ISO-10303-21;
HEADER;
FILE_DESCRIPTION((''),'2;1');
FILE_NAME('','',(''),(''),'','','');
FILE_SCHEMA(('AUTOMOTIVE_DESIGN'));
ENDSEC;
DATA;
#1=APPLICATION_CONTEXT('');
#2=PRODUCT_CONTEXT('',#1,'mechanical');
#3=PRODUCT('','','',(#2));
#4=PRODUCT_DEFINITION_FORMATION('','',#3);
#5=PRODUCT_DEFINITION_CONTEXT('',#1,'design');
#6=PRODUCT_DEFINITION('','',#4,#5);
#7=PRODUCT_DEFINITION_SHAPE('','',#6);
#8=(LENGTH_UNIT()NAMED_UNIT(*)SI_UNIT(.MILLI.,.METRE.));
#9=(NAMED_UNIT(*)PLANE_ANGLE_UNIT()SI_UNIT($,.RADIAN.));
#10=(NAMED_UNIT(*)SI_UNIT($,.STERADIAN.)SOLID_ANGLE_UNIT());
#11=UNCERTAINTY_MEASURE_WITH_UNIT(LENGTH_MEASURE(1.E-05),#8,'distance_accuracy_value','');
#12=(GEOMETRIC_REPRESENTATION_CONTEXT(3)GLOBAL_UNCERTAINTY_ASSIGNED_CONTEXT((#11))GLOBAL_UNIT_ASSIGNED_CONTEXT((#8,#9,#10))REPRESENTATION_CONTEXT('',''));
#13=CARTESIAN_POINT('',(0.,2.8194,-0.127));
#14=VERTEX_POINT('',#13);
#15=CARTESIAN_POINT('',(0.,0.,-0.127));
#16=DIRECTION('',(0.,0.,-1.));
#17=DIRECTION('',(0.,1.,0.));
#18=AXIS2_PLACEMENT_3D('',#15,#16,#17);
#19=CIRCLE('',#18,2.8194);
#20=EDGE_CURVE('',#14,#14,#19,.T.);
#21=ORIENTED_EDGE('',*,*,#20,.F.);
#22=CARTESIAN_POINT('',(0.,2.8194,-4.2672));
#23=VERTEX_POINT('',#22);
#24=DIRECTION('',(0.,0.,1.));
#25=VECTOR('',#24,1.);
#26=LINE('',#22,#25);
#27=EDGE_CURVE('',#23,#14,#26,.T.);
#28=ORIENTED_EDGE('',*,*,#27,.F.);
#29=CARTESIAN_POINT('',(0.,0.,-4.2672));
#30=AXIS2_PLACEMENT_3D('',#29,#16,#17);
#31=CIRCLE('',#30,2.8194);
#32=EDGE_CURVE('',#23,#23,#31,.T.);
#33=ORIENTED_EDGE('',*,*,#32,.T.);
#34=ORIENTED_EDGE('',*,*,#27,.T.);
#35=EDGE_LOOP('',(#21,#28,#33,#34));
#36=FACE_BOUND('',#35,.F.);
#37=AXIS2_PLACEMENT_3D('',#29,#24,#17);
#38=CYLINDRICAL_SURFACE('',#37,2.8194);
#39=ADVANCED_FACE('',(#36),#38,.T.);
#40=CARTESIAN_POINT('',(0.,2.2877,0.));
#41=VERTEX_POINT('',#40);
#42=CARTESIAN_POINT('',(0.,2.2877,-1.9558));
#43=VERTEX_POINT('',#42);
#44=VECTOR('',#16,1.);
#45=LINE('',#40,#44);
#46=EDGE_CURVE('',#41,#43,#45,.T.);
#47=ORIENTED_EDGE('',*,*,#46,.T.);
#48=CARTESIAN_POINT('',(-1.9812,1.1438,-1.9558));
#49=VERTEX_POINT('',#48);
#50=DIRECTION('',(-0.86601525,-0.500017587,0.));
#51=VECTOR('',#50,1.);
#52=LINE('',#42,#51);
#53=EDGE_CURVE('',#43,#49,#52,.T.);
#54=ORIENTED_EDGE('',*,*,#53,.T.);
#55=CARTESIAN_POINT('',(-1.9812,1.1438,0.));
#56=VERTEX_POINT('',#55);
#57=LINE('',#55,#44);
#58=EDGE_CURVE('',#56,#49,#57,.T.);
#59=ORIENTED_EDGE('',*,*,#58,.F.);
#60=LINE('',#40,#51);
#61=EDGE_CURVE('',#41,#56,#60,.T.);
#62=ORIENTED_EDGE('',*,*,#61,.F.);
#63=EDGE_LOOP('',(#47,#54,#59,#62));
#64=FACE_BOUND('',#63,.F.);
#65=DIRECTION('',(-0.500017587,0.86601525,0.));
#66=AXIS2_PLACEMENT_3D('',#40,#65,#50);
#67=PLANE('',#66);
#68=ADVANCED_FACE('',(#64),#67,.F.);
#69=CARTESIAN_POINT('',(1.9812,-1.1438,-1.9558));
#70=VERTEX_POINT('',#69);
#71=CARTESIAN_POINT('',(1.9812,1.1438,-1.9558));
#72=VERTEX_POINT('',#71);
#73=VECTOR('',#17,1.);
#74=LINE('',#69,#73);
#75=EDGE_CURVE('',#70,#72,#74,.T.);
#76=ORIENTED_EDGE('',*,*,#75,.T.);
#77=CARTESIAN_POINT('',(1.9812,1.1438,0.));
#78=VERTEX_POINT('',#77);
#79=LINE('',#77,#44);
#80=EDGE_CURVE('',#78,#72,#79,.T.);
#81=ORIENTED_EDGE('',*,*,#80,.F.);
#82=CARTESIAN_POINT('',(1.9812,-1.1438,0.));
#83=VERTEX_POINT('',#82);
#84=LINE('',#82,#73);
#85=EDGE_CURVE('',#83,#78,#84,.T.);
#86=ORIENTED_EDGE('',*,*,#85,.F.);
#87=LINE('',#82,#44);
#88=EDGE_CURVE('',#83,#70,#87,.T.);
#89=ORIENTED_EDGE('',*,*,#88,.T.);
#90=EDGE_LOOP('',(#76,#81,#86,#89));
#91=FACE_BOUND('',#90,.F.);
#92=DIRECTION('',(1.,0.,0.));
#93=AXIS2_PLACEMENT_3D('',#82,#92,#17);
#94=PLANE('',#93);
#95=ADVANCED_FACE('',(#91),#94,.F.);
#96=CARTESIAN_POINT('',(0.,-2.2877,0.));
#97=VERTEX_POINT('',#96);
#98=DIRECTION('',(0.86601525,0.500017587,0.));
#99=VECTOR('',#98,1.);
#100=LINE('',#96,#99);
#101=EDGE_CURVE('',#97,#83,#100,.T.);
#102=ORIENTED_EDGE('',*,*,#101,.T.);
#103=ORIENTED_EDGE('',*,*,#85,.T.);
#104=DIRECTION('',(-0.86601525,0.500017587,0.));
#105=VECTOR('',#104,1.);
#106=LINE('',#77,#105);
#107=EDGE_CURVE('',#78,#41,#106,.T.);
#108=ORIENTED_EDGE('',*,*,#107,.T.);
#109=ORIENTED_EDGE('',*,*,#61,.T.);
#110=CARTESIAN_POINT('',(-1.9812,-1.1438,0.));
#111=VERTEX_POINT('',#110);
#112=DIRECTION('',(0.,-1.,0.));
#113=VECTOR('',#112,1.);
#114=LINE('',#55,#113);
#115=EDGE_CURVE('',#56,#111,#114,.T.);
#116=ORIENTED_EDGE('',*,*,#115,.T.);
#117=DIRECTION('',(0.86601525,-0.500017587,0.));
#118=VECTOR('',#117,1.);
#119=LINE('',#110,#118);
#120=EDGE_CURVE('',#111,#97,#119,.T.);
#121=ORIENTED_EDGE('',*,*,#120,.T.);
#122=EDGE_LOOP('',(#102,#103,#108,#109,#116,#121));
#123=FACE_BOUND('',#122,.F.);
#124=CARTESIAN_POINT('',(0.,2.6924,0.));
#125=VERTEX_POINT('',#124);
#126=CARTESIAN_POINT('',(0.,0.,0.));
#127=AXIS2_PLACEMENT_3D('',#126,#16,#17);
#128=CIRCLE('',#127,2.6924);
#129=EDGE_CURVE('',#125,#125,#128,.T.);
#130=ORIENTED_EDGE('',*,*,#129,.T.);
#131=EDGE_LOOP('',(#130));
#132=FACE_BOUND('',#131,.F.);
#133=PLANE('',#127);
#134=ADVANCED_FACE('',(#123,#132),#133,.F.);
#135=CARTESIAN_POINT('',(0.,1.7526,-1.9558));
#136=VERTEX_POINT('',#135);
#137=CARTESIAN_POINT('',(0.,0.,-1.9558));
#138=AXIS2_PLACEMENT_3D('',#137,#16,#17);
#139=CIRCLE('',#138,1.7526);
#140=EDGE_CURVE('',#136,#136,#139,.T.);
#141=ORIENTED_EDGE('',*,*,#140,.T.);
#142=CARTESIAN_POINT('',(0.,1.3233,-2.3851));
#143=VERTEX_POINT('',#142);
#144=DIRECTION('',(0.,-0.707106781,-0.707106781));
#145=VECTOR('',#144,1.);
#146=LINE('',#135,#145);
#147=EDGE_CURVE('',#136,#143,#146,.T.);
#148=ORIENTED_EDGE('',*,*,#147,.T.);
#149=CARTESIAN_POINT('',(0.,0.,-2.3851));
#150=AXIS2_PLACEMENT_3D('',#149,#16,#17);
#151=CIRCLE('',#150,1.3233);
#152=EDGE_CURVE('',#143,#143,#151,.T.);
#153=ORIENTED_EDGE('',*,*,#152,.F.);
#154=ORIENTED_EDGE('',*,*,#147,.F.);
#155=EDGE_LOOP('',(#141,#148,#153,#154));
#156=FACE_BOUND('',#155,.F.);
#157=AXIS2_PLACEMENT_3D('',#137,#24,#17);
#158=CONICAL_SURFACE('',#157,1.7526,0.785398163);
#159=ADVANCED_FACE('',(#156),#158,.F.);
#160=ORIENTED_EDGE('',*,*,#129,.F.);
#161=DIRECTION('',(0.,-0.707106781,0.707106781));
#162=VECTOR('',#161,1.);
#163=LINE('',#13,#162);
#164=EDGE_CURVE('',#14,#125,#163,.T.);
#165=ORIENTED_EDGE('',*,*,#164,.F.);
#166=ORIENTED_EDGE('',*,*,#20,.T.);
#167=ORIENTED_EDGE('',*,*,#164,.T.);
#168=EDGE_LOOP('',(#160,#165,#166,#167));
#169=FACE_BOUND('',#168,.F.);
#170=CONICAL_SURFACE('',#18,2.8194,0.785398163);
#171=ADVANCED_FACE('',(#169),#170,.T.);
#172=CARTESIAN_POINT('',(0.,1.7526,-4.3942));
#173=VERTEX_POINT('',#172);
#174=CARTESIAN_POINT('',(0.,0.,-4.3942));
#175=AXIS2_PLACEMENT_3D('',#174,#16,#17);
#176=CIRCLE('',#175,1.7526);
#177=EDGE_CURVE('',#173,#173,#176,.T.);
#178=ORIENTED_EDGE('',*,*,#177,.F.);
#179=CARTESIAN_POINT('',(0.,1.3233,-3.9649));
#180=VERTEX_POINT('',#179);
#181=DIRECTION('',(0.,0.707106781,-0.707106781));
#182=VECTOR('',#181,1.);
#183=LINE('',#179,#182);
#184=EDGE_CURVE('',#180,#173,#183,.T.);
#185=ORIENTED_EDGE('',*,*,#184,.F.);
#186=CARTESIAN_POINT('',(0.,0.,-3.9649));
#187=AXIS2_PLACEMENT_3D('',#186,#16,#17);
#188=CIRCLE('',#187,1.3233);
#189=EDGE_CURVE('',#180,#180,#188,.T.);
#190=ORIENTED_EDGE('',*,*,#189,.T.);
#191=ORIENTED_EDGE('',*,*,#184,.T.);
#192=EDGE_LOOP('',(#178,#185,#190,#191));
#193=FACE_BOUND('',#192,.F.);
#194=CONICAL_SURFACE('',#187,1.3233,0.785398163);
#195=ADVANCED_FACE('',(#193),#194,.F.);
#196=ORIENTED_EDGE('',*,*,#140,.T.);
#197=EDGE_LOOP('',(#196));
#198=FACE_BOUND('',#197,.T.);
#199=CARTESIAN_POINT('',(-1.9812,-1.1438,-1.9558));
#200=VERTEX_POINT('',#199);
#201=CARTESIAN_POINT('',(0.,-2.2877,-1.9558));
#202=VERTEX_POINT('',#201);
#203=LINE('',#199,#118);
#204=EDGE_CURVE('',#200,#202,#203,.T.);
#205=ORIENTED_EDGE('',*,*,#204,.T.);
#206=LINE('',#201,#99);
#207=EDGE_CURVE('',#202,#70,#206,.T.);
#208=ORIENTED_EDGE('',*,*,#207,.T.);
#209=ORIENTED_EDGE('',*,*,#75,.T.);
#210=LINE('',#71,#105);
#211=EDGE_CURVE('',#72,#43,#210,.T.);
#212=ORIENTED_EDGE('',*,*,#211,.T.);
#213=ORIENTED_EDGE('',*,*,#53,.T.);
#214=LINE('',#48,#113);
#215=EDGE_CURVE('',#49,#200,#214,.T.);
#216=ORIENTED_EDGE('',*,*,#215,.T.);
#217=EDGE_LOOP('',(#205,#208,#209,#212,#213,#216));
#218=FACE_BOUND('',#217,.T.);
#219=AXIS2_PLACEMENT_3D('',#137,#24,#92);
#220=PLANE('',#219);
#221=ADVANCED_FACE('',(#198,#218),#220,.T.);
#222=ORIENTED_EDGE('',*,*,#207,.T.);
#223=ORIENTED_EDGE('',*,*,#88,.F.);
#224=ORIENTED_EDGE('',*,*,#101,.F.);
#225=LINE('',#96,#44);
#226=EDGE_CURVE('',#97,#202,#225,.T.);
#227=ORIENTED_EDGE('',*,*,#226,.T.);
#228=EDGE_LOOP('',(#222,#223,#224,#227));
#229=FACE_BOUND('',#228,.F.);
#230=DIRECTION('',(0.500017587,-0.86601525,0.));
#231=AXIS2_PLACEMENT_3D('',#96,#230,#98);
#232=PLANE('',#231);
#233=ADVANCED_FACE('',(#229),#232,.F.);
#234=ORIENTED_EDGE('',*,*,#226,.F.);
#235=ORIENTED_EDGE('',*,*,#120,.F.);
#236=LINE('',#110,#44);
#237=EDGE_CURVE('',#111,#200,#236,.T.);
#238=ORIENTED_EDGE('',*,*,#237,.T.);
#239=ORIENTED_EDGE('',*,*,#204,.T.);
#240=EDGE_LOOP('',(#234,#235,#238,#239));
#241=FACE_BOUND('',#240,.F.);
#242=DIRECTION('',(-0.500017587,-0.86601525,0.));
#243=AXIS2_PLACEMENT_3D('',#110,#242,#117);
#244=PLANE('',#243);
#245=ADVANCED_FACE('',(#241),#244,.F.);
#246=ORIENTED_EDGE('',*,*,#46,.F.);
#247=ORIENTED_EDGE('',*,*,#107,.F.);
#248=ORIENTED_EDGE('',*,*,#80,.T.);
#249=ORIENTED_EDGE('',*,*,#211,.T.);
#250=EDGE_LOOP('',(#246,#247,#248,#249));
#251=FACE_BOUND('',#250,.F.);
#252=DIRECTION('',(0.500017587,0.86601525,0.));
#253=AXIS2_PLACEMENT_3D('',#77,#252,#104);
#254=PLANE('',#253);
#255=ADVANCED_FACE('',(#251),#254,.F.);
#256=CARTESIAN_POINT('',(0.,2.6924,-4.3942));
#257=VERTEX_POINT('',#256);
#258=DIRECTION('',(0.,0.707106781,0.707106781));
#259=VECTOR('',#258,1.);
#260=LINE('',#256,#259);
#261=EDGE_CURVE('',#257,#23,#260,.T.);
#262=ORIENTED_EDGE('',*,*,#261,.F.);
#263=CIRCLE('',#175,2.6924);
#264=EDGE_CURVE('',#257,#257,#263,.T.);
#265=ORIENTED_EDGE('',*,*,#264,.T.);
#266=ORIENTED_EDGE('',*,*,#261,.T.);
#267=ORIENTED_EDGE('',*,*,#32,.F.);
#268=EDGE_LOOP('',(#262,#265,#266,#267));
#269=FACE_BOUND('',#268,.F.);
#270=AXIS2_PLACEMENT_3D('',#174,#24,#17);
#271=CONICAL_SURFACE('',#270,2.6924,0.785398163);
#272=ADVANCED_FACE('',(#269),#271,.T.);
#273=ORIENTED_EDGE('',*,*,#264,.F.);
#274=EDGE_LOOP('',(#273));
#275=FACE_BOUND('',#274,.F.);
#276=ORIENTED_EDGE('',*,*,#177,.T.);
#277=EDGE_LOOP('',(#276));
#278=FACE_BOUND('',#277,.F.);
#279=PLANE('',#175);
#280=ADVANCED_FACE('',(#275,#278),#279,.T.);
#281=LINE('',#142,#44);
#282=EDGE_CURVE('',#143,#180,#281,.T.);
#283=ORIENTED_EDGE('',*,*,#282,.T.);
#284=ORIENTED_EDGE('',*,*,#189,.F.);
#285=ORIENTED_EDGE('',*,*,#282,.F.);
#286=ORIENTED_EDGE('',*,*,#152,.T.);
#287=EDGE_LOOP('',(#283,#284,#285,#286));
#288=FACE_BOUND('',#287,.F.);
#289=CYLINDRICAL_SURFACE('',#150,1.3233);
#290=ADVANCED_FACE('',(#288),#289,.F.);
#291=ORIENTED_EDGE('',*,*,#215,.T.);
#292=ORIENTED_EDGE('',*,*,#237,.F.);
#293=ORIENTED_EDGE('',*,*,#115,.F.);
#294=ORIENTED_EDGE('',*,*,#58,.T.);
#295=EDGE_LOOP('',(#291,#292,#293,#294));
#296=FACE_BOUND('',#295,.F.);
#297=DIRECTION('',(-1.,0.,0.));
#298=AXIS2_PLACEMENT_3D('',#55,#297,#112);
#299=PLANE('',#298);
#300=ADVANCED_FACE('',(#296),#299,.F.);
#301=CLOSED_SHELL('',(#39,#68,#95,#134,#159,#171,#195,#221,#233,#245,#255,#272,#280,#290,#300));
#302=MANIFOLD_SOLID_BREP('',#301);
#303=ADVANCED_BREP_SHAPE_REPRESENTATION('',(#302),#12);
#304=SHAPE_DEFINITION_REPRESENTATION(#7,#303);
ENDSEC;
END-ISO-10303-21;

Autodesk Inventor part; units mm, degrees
sketch "Sketch_1" plane through (0, 0, 0) normal (1, 0, 0) x (0, 1, 0)
  line L0 (0, -4.3942) -> (0, 0)
  line L1 (1.7526, 0) -> (1.7526, -1.9558)
  line L2 (1.7526, -1.9558) -> (1.3233, -2.3851)
  line L3 (1.3233, -2.3851) -> (1.3233, -3.9649)
  line L4 (1.3233, -3.9649) -> (1.7526, -4.3942)
  line L5 (1.7526, -4.3942) -> (2.6924, -4.3942)
  line L6 (2.6924, -4.3942) -> (2.8194, -4.2672)
  line L7 (2.8194, -4.2672) -> (2.8194, -0.127)
  line L8 (2.8194, -0.127) -> (2.6924, 0)
  line L9 (2.6924, 0) -> (1.7526, 0)
revolve "Revolution1" add sketch "Sketch_1" angle 360 about axis through (0, 0, -4.3942) along (0, 0, -1)
thread "Thread1" size "6-32 UNC" class "2B" standard "ANSI Unified Screw Threads" full length
sketch "Sketch_3" plane through (0, 0, 0) normal (0, 0, 1) x (1, 0, 0)
  line L0 (-1.9812, -1.1438) -> (0, -2.2877)
  line L1 (0, -2.2877) -> (1.9812, -1.1438)
  line L2 (1.9812, -1.1438) -> (1.9812, 1.1438)
  line L3 (1.9812, 1.1438) -> (0, 2.2877)
  line L4 (0, 2.2877) -> (-1.9812, 1.1438)
  line L5 (-1.9812, 1.1438) -> (-1.9812, -1.1438)
extrude "Extrusion1" cut sketch "Sketch_3" against normal blind 1.9558
ref_plane "screw_XY" through (0, 0, -4.3942) normal (0, 0, 1) x (1, 0, 0)
ref_plane "screw_YZ" through (0, 0, -4.3942) normal (1, 0, 0) x (0, 1, 0)
ref_plane "screw_ZX" through (0, 0, -4.3942) normal (0, 1, 0) x (0, 0, 1)
properties part number "D-117199-bif"
